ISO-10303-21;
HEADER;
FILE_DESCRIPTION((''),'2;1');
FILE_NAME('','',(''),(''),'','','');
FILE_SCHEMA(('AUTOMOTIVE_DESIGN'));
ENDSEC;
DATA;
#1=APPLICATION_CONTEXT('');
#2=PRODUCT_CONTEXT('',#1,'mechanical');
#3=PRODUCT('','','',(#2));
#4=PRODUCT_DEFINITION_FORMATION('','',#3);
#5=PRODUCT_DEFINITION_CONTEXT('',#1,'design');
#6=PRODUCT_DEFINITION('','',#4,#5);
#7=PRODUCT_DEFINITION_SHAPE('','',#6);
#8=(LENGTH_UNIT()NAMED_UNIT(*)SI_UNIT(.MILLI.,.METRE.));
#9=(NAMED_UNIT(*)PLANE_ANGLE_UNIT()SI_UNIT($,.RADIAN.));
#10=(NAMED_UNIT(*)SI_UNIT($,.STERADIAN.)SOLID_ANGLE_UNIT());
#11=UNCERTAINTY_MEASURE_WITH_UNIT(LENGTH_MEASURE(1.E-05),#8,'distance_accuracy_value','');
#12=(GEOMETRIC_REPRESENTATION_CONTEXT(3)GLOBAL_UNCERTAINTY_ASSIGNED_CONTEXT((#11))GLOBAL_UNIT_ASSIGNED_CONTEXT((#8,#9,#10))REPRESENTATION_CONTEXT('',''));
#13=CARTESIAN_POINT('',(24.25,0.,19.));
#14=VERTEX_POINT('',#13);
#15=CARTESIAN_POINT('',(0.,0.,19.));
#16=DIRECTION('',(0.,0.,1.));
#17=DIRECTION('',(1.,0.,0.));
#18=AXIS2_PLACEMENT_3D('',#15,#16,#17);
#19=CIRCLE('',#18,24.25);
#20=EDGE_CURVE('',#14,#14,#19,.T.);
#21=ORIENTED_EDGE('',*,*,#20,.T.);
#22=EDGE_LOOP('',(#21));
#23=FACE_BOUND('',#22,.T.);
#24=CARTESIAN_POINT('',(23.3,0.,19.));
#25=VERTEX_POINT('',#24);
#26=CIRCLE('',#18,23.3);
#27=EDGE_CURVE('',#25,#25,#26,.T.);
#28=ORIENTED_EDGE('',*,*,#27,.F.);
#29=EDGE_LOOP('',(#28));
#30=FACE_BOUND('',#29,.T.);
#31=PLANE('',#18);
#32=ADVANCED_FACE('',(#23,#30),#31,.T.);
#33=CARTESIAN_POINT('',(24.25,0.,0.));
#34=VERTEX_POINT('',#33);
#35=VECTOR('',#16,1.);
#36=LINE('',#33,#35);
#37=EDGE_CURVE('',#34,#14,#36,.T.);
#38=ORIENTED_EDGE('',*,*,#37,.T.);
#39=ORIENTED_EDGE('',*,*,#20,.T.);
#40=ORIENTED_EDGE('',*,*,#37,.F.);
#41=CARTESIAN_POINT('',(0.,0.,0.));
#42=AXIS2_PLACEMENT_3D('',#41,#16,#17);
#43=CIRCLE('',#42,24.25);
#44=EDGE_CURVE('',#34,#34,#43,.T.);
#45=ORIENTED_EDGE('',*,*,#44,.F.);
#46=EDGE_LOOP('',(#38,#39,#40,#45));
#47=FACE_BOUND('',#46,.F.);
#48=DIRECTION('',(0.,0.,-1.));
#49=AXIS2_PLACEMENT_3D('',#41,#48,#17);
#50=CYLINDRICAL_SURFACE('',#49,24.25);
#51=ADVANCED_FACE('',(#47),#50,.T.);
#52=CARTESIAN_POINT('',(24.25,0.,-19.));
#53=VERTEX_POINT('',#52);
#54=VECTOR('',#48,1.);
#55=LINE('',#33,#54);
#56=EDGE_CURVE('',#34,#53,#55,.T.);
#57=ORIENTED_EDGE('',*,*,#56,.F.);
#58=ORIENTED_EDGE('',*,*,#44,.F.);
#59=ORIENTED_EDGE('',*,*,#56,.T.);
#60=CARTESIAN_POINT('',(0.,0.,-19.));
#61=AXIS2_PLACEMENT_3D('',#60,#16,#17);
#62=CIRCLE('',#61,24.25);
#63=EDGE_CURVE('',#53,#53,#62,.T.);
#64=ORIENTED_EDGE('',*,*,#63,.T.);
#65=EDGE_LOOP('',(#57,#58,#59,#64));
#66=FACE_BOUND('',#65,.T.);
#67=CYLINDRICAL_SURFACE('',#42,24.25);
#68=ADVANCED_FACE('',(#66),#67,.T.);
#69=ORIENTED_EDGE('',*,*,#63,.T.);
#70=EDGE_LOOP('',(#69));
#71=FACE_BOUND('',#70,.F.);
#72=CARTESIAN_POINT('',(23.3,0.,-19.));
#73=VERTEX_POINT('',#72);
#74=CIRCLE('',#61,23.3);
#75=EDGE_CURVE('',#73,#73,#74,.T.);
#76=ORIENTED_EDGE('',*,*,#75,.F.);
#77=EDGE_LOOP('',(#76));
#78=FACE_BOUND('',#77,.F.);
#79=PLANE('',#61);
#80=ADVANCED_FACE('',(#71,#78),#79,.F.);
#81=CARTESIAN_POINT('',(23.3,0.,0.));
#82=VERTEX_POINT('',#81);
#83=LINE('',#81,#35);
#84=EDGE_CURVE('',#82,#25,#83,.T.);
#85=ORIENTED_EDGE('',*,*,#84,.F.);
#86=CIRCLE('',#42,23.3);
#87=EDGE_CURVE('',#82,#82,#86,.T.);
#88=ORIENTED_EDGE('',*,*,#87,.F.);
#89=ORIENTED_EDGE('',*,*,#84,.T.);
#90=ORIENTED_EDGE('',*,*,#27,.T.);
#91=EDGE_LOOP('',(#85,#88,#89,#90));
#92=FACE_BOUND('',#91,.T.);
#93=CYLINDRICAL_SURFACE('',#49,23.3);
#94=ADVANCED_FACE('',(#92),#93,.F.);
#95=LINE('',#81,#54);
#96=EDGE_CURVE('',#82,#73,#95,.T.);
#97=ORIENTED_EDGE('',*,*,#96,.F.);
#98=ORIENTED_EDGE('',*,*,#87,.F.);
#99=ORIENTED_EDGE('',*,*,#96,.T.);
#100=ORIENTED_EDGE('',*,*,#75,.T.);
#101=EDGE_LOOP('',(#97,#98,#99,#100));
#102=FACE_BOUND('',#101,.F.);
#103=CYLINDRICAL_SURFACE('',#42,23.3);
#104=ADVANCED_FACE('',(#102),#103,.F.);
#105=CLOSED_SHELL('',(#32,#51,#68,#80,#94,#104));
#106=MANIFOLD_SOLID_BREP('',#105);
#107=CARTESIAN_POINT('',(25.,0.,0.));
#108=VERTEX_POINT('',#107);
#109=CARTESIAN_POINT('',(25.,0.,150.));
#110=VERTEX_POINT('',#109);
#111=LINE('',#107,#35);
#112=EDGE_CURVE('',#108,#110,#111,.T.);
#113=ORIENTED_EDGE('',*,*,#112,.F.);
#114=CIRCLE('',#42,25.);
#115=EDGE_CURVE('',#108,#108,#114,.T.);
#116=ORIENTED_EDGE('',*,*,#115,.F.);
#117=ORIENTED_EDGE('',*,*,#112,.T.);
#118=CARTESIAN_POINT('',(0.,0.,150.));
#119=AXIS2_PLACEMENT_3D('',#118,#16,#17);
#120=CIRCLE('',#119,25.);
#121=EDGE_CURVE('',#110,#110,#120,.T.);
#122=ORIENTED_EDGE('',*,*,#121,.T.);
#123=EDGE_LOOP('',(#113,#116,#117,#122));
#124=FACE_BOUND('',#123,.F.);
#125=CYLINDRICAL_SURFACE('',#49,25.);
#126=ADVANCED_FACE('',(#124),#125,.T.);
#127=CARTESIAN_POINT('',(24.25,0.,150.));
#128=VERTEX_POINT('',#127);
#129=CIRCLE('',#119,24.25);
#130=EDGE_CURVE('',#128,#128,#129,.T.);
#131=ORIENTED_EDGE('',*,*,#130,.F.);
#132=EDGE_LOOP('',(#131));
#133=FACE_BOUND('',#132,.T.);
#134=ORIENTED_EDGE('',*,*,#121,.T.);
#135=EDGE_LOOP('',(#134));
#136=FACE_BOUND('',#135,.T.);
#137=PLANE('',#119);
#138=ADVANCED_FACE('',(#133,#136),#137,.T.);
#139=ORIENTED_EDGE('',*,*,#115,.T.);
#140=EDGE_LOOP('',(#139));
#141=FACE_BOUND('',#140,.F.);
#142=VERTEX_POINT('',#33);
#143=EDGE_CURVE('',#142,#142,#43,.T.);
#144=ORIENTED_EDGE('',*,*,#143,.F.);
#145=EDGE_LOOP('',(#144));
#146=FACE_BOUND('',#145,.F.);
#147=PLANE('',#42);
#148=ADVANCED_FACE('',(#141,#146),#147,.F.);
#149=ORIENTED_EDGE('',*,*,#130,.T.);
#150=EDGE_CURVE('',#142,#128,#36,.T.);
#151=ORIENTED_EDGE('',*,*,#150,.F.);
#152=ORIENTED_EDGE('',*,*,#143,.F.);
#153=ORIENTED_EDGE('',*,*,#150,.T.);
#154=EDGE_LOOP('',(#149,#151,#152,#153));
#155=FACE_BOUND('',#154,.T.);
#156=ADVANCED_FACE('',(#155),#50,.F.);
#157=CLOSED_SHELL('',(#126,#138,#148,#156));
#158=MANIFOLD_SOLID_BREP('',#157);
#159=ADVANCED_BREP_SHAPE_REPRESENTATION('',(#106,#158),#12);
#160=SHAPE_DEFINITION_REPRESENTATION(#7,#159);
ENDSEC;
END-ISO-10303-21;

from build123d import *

# Parameters (mm, degrees)
F0_R          = 25
F0_R_2        = 24.25
F1_DEPTH      = 150
F0_R_3        = 23.3
F2_DEPTH      = 19
F2_DEPTH_BACK = 19


with BuildPart() as f1:
    # F0 (on Top) → F1 (new body)
    with BuildSketch(Plane.XY):
        Circle(F0_R)
        Circle(F0_R_2, mode=Mode.SUBTRACT)
    extrude(amount=F1_DEPTH)


with BuildPart() as f2:
    # F0 (on Top) → F2 (new body, two sides)
    with BuildSketch(Plane.XY) as f2_sk:
        Circle(F0_R_2)
        Circle(F0_R_3, mode=Mode.SUBTRACT)
    extrude(amount=-F2_DEPTH)
    extrude(f2_sk.sketch, amount=F2_DEPTH_BACK)


solid = Compound([f1.part, f2.part])
